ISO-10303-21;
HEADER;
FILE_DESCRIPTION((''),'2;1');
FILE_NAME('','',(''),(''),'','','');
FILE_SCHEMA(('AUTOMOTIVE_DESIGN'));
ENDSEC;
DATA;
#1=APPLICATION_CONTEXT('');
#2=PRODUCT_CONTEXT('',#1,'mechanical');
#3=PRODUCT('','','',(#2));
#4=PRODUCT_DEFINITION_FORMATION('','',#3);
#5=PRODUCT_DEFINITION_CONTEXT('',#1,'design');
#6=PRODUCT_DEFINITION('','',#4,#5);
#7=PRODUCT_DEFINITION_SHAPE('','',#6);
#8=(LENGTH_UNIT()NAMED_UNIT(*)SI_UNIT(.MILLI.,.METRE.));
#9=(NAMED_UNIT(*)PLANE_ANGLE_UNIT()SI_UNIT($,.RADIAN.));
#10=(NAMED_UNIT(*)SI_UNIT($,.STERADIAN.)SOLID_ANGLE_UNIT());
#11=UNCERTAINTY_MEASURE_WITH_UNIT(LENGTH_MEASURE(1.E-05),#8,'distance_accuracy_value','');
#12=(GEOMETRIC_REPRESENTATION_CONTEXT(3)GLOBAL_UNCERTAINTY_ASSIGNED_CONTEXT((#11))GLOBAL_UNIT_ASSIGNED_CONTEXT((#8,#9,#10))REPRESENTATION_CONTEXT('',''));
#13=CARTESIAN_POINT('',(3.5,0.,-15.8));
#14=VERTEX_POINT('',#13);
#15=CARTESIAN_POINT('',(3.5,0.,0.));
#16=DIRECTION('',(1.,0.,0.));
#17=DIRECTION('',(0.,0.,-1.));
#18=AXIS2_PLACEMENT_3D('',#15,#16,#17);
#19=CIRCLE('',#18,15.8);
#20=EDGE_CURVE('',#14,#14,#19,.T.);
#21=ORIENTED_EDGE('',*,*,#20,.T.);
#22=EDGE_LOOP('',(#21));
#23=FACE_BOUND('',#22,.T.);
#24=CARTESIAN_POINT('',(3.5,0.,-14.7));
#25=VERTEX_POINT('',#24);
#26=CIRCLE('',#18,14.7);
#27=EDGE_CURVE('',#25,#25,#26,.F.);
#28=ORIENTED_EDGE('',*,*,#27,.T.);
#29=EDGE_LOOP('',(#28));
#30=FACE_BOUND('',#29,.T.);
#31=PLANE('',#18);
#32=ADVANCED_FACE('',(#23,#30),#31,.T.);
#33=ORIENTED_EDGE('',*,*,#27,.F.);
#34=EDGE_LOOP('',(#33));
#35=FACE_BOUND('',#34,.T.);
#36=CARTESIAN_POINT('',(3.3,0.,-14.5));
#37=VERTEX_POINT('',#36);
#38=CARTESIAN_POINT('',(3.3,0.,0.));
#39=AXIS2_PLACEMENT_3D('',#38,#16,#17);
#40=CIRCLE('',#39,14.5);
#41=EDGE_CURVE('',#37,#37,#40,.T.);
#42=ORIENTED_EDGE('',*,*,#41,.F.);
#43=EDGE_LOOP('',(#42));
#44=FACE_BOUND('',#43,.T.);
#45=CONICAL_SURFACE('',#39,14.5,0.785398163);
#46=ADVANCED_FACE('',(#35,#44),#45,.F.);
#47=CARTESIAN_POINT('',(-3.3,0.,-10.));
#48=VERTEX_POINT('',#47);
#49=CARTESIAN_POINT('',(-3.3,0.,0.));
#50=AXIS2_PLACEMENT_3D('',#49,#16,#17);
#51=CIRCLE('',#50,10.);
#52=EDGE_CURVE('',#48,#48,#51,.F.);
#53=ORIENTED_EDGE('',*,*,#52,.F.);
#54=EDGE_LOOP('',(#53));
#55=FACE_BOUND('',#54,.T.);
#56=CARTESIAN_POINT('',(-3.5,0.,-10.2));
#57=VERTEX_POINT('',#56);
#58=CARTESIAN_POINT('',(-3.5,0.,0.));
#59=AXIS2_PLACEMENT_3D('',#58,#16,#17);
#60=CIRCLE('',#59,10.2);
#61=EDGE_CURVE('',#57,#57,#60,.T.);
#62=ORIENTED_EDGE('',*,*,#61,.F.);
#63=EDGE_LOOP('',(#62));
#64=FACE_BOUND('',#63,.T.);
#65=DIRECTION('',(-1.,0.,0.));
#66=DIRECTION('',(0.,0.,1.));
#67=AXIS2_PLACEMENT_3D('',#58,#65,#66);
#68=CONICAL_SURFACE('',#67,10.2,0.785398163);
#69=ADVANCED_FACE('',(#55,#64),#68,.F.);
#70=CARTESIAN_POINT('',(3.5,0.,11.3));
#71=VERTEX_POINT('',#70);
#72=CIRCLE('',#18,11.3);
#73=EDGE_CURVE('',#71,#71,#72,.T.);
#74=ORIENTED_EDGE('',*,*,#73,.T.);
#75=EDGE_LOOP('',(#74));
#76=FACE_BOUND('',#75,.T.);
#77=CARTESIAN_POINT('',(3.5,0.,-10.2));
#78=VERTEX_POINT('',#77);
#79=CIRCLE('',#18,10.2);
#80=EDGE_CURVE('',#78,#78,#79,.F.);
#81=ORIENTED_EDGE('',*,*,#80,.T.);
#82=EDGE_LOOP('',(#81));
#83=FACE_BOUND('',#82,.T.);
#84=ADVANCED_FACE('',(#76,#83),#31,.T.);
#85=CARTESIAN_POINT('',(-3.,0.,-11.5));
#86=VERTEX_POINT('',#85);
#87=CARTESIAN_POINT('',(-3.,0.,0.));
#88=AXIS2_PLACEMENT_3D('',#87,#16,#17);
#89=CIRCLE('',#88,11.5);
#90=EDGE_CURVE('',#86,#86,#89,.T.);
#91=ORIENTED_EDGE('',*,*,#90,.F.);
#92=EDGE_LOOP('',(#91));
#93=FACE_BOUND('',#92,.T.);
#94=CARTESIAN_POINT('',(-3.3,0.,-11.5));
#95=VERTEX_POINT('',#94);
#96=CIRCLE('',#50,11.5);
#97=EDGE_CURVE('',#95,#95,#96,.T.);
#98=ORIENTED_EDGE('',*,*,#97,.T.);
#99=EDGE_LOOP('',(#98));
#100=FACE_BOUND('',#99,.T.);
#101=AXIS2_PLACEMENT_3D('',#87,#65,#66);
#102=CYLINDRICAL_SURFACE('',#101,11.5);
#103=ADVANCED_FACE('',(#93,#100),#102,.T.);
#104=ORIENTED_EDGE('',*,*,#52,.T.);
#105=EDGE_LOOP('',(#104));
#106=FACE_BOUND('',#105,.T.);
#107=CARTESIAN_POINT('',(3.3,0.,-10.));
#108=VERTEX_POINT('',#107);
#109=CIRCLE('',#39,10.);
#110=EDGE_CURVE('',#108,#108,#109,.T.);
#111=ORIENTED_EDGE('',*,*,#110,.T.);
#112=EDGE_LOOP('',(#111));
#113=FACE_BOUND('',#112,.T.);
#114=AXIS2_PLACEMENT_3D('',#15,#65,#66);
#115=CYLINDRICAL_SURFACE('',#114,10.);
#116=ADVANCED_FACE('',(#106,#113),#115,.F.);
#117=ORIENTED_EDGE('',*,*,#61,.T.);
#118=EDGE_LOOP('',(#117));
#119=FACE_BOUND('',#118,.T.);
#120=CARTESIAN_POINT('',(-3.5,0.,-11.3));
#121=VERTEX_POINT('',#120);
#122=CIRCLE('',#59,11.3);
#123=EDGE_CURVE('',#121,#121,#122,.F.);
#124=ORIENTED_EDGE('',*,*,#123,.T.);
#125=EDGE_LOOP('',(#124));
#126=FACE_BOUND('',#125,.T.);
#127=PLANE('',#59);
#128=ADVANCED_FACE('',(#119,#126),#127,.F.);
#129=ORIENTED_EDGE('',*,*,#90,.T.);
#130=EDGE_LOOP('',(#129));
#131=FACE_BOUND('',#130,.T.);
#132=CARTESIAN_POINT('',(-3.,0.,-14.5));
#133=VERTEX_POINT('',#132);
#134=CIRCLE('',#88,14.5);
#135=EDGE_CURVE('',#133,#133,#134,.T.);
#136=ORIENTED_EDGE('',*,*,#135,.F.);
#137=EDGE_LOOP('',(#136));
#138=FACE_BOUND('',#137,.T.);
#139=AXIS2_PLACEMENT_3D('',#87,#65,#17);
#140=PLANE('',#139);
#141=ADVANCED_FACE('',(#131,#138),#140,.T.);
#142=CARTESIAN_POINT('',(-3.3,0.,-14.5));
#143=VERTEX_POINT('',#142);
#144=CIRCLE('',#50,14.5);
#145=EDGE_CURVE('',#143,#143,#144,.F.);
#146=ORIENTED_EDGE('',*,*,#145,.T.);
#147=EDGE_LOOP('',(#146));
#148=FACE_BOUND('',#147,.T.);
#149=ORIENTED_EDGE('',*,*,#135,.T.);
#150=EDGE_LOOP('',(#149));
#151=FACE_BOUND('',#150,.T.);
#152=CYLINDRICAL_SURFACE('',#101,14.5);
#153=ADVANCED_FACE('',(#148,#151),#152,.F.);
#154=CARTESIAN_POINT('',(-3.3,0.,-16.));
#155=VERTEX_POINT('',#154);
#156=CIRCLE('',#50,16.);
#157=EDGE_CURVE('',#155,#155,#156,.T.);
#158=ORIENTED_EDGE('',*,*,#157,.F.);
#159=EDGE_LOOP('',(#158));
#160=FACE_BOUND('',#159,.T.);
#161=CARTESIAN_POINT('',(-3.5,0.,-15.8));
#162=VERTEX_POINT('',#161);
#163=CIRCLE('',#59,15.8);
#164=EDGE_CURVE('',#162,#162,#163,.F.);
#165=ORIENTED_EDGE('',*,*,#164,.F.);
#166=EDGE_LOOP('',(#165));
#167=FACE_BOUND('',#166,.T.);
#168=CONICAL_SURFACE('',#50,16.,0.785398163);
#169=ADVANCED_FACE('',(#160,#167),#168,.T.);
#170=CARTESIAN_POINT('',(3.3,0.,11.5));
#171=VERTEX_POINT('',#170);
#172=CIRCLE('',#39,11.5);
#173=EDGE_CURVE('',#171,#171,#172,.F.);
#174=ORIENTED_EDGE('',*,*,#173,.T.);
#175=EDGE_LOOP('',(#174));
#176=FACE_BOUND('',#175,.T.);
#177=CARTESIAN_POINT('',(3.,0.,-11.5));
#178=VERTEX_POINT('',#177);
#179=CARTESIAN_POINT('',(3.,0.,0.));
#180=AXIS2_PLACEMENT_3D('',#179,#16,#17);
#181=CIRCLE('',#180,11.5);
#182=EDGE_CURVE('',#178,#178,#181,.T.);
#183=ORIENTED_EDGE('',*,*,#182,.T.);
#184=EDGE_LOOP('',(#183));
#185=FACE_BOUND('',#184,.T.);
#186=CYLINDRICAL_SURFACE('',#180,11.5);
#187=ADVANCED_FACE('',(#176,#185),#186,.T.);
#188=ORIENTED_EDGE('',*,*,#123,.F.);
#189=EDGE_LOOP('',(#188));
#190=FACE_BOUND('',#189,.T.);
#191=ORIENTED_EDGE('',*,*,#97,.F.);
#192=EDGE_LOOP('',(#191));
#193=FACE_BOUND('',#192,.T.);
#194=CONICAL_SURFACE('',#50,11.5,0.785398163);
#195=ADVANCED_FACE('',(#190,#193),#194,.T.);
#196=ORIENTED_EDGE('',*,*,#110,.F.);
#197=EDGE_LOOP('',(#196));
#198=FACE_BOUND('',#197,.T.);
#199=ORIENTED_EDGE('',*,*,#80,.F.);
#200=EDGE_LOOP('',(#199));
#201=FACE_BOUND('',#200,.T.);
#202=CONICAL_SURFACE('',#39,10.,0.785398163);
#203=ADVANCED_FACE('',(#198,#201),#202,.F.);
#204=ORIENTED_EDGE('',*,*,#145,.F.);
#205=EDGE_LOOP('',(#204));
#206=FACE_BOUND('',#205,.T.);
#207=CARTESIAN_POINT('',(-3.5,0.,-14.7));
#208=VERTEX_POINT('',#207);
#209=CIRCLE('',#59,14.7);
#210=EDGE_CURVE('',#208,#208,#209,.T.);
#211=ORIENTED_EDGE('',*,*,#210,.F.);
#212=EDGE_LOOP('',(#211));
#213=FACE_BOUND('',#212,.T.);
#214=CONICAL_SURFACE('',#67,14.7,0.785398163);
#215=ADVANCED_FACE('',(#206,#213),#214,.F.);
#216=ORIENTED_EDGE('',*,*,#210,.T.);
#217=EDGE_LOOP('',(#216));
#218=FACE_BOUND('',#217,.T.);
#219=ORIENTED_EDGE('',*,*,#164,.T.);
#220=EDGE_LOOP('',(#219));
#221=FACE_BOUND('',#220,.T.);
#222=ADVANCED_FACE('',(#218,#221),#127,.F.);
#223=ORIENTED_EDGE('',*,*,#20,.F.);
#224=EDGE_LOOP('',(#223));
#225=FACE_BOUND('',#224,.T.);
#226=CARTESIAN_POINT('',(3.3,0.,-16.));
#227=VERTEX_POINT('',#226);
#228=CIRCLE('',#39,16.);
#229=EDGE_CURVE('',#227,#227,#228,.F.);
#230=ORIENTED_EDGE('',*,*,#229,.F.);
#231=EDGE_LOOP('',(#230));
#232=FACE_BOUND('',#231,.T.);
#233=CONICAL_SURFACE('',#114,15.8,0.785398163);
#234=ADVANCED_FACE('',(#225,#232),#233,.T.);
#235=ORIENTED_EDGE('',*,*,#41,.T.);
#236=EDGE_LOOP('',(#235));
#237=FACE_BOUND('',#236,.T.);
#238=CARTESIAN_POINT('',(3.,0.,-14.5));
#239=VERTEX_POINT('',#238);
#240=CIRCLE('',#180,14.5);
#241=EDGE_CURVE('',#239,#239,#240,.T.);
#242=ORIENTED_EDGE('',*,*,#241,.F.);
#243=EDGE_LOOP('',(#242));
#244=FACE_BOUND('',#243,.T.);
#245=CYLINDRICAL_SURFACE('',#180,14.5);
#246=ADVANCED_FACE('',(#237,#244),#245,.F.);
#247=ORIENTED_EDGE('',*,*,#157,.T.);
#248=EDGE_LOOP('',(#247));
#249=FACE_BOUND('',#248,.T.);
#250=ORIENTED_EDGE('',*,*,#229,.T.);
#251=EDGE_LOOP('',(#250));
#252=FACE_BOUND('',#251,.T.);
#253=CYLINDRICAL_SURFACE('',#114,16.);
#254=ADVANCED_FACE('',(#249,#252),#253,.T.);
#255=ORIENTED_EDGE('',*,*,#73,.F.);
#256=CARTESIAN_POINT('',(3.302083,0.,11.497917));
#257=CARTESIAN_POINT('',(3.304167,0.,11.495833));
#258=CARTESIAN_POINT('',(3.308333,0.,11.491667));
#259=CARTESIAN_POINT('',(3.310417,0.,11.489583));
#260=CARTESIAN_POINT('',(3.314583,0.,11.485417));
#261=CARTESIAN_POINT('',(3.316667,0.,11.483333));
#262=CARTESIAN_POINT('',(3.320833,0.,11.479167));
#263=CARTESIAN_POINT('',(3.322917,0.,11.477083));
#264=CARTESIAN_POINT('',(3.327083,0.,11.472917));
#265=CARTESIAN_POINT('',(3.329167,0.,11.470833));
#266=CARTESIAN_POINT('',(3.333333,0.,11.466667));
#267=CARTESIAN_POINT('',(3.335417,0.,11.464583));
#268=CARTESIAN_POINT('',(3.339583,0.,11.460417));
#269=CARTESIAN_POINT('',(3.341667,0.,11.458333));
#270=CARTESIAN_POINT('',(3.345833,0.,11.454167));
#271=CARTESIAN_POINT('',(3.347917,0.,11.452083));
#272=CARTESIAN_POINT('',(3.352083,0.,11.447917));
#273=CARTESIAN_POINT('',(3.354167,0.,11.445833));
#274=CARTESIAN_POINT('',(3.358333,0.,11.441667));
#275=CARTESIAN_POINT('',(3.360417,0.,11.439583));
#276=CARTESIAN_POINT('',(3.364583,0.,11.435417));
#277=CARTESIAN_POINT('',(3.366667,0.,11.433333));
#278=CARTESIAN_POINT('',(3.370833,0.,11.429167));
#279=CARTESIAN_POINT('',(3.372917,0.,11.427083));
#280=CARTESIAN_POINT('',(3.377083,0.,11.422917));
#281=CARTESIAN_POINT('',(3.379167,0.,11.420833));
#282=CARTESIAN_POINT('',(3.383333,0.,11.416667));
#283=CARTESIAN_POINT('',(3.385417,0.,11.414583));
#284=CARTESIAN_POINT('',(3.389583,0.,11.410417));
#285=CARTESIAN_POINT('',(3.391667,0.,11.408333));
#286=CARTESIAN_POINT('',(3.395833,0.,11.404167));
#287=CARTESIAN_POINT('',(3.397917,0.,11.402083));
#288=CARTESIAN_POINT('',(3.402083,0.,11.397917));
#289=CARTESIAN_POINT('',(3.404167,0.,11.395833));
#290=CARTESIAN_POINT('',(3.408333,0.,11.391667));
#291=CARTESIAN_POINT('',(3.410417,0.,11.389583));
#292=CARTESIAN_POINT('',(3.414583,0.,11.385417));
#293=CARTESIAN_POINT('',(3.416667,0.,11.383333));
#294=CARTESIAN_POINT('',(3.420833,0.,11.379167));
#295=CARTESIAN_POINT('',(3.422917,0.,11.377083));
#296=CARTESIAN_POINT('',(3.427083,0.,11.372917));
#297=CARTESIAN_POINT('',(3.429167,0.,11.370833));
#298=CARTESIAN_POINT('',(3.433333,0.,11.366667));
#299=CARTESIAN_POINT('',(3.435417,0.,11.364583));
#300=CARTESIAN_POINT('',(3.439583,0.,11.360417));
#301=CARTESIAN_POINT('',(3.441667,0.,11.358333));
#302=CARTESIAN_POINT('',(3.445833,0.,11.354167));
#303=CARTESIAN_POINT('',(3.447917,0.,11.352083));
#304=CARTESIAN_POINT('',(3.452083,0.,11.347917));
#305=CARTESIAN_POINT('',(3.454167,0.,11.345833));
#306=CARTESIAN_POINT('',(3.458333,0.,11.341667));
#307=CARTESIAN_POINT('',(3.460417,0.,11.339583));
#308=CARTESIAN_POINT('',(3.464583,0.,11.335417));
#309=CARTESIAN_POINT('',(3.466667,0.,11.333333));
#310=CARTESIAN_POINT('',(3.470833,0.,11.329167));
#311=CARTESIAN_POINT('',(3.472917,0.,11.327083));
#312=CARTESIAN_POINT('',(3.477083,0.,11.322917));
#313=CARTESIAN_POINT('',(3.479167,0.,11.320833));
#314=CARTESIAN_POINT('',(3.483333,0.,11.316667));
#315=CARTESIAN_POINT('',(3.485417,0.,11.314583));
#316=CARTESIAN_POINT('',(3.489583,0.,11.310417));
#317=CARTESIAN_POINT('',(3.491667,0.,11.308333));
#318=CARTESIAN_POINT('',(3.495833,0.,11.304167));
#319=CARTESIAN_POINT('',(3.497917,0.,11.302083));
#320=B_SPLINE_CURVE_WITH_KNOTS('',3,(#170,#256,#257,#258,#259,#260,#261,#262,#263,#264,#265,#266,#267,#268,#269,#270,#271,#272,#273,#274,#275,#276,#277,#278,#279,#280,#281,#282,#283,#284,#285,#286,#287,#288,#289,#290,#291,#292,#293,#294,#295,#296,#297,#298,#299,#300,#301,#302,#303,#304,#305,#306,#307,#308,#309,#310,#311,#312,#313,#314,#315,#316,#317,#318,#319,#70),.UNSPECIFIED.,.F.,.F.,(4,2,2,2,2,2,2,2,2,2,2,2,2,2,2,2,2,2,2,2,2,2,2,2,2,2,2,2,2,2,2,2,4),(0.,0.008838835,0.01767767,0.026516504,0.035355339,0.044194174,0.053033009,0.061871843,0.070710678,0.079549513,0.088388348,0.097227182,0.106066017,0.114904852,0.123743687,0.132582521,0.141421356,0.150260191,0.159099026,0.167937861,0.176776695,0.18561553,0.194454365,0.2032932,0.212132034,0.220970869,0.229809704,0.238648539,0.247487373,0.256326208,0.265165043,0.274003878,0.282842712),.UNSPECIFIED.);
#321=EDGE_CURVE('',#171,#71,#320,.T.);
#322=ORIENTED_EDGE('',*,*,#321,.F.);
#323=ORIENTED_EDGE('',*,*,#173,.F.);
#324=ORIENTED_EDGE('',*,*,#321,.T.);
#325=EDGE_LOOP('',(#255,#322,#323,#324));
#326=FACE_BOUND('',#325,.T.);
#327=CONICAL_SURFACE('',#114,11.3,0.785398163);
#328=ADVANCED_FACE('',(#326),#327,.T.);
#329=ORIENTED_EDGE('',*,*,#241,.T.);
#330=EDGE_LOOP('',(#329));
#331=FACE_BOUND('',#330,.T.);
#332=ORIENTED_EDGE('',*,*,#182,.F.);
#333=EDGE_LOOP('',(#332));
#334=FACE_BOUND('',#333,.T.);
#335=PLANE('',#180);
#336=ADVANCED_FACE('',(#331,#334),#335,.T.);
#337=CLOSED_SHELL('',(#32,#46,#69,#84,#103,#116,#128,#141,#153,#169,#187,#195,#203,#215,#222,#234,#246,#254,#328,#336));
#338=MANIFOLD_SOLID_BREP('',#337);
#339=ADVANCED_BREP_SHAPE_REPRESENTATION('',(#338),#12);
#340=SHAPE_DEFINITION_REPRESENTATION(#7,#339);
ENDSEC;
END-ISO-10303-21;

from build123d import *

# Parameters (mm, degrees)
SKETCH1_R           = 16
SKETCH1_R_2         = 10
BOSS_EXTRUDE1_DEPTH = 3.5
SKETCH2_R           = 14.5
SKETCH2_R_2         = 11.5
CUT_EXTRUDE1_DEPTH  = 0.5
CHAMFER1_SIZE       = 0.2


with BuildPart() as part:
    # Sketch1 → Boss-Extrude1 (new, symmetric)
    with BuildSketch(Plane(origin=(0, 0, 0), x_dir=(0, 0, -1), z_dir=(1, 0, 0))):
        Circle(SKETCH1_R)
        Circle(SKETCH1_R_2, mode=Mode.SUBTRACT)
    extrude(amount=BOSS_EXTRUDE1_DEPTH, both=True)

    # Sketch2 → Cut-Extrude1 (cut)
    with BuildSketch(Plane(origin=(3.5, 0, 0), x_dir=(0, 0, -1), z_dir=(1, 0, 0))):
        Circle(SKETCH2_R)
        Circle(SKETCH2_R_2, mode=Mode.SUBTRACT)
    cut_extrude1 = extrude(amount=-CUT_EXTRUDE1_DEPTH, mode=Mode.SUBTRACT)

    # Mirror1: Cut-Extrude1 across plane
    add(cut_extrude1.mirror(Plane(origin=(0, 0, 0), x_dir=(0, 0, 1), z_dir=(1, 0, 0))), mode=Mode.SUBTRACT)

    # Chamfer1
    chamfer1_edges = [part.edges().sort_by_distance(p)[0] for p in [
        (3.5, 0, 14.5),
        (3.5, 0, 11.5),
        (-3.5, 0, 11.5),
        (-3.5, 0, 14.5),
        (-3.5, 0, 16),
        (3.5, 0, 16),
        (-3.5, 0, 10),
        (3.5, 0, 10),
    ]]
    chamfer(chamfer1_edges, length=CHAMFER1_SIZE)


solid = part.part
